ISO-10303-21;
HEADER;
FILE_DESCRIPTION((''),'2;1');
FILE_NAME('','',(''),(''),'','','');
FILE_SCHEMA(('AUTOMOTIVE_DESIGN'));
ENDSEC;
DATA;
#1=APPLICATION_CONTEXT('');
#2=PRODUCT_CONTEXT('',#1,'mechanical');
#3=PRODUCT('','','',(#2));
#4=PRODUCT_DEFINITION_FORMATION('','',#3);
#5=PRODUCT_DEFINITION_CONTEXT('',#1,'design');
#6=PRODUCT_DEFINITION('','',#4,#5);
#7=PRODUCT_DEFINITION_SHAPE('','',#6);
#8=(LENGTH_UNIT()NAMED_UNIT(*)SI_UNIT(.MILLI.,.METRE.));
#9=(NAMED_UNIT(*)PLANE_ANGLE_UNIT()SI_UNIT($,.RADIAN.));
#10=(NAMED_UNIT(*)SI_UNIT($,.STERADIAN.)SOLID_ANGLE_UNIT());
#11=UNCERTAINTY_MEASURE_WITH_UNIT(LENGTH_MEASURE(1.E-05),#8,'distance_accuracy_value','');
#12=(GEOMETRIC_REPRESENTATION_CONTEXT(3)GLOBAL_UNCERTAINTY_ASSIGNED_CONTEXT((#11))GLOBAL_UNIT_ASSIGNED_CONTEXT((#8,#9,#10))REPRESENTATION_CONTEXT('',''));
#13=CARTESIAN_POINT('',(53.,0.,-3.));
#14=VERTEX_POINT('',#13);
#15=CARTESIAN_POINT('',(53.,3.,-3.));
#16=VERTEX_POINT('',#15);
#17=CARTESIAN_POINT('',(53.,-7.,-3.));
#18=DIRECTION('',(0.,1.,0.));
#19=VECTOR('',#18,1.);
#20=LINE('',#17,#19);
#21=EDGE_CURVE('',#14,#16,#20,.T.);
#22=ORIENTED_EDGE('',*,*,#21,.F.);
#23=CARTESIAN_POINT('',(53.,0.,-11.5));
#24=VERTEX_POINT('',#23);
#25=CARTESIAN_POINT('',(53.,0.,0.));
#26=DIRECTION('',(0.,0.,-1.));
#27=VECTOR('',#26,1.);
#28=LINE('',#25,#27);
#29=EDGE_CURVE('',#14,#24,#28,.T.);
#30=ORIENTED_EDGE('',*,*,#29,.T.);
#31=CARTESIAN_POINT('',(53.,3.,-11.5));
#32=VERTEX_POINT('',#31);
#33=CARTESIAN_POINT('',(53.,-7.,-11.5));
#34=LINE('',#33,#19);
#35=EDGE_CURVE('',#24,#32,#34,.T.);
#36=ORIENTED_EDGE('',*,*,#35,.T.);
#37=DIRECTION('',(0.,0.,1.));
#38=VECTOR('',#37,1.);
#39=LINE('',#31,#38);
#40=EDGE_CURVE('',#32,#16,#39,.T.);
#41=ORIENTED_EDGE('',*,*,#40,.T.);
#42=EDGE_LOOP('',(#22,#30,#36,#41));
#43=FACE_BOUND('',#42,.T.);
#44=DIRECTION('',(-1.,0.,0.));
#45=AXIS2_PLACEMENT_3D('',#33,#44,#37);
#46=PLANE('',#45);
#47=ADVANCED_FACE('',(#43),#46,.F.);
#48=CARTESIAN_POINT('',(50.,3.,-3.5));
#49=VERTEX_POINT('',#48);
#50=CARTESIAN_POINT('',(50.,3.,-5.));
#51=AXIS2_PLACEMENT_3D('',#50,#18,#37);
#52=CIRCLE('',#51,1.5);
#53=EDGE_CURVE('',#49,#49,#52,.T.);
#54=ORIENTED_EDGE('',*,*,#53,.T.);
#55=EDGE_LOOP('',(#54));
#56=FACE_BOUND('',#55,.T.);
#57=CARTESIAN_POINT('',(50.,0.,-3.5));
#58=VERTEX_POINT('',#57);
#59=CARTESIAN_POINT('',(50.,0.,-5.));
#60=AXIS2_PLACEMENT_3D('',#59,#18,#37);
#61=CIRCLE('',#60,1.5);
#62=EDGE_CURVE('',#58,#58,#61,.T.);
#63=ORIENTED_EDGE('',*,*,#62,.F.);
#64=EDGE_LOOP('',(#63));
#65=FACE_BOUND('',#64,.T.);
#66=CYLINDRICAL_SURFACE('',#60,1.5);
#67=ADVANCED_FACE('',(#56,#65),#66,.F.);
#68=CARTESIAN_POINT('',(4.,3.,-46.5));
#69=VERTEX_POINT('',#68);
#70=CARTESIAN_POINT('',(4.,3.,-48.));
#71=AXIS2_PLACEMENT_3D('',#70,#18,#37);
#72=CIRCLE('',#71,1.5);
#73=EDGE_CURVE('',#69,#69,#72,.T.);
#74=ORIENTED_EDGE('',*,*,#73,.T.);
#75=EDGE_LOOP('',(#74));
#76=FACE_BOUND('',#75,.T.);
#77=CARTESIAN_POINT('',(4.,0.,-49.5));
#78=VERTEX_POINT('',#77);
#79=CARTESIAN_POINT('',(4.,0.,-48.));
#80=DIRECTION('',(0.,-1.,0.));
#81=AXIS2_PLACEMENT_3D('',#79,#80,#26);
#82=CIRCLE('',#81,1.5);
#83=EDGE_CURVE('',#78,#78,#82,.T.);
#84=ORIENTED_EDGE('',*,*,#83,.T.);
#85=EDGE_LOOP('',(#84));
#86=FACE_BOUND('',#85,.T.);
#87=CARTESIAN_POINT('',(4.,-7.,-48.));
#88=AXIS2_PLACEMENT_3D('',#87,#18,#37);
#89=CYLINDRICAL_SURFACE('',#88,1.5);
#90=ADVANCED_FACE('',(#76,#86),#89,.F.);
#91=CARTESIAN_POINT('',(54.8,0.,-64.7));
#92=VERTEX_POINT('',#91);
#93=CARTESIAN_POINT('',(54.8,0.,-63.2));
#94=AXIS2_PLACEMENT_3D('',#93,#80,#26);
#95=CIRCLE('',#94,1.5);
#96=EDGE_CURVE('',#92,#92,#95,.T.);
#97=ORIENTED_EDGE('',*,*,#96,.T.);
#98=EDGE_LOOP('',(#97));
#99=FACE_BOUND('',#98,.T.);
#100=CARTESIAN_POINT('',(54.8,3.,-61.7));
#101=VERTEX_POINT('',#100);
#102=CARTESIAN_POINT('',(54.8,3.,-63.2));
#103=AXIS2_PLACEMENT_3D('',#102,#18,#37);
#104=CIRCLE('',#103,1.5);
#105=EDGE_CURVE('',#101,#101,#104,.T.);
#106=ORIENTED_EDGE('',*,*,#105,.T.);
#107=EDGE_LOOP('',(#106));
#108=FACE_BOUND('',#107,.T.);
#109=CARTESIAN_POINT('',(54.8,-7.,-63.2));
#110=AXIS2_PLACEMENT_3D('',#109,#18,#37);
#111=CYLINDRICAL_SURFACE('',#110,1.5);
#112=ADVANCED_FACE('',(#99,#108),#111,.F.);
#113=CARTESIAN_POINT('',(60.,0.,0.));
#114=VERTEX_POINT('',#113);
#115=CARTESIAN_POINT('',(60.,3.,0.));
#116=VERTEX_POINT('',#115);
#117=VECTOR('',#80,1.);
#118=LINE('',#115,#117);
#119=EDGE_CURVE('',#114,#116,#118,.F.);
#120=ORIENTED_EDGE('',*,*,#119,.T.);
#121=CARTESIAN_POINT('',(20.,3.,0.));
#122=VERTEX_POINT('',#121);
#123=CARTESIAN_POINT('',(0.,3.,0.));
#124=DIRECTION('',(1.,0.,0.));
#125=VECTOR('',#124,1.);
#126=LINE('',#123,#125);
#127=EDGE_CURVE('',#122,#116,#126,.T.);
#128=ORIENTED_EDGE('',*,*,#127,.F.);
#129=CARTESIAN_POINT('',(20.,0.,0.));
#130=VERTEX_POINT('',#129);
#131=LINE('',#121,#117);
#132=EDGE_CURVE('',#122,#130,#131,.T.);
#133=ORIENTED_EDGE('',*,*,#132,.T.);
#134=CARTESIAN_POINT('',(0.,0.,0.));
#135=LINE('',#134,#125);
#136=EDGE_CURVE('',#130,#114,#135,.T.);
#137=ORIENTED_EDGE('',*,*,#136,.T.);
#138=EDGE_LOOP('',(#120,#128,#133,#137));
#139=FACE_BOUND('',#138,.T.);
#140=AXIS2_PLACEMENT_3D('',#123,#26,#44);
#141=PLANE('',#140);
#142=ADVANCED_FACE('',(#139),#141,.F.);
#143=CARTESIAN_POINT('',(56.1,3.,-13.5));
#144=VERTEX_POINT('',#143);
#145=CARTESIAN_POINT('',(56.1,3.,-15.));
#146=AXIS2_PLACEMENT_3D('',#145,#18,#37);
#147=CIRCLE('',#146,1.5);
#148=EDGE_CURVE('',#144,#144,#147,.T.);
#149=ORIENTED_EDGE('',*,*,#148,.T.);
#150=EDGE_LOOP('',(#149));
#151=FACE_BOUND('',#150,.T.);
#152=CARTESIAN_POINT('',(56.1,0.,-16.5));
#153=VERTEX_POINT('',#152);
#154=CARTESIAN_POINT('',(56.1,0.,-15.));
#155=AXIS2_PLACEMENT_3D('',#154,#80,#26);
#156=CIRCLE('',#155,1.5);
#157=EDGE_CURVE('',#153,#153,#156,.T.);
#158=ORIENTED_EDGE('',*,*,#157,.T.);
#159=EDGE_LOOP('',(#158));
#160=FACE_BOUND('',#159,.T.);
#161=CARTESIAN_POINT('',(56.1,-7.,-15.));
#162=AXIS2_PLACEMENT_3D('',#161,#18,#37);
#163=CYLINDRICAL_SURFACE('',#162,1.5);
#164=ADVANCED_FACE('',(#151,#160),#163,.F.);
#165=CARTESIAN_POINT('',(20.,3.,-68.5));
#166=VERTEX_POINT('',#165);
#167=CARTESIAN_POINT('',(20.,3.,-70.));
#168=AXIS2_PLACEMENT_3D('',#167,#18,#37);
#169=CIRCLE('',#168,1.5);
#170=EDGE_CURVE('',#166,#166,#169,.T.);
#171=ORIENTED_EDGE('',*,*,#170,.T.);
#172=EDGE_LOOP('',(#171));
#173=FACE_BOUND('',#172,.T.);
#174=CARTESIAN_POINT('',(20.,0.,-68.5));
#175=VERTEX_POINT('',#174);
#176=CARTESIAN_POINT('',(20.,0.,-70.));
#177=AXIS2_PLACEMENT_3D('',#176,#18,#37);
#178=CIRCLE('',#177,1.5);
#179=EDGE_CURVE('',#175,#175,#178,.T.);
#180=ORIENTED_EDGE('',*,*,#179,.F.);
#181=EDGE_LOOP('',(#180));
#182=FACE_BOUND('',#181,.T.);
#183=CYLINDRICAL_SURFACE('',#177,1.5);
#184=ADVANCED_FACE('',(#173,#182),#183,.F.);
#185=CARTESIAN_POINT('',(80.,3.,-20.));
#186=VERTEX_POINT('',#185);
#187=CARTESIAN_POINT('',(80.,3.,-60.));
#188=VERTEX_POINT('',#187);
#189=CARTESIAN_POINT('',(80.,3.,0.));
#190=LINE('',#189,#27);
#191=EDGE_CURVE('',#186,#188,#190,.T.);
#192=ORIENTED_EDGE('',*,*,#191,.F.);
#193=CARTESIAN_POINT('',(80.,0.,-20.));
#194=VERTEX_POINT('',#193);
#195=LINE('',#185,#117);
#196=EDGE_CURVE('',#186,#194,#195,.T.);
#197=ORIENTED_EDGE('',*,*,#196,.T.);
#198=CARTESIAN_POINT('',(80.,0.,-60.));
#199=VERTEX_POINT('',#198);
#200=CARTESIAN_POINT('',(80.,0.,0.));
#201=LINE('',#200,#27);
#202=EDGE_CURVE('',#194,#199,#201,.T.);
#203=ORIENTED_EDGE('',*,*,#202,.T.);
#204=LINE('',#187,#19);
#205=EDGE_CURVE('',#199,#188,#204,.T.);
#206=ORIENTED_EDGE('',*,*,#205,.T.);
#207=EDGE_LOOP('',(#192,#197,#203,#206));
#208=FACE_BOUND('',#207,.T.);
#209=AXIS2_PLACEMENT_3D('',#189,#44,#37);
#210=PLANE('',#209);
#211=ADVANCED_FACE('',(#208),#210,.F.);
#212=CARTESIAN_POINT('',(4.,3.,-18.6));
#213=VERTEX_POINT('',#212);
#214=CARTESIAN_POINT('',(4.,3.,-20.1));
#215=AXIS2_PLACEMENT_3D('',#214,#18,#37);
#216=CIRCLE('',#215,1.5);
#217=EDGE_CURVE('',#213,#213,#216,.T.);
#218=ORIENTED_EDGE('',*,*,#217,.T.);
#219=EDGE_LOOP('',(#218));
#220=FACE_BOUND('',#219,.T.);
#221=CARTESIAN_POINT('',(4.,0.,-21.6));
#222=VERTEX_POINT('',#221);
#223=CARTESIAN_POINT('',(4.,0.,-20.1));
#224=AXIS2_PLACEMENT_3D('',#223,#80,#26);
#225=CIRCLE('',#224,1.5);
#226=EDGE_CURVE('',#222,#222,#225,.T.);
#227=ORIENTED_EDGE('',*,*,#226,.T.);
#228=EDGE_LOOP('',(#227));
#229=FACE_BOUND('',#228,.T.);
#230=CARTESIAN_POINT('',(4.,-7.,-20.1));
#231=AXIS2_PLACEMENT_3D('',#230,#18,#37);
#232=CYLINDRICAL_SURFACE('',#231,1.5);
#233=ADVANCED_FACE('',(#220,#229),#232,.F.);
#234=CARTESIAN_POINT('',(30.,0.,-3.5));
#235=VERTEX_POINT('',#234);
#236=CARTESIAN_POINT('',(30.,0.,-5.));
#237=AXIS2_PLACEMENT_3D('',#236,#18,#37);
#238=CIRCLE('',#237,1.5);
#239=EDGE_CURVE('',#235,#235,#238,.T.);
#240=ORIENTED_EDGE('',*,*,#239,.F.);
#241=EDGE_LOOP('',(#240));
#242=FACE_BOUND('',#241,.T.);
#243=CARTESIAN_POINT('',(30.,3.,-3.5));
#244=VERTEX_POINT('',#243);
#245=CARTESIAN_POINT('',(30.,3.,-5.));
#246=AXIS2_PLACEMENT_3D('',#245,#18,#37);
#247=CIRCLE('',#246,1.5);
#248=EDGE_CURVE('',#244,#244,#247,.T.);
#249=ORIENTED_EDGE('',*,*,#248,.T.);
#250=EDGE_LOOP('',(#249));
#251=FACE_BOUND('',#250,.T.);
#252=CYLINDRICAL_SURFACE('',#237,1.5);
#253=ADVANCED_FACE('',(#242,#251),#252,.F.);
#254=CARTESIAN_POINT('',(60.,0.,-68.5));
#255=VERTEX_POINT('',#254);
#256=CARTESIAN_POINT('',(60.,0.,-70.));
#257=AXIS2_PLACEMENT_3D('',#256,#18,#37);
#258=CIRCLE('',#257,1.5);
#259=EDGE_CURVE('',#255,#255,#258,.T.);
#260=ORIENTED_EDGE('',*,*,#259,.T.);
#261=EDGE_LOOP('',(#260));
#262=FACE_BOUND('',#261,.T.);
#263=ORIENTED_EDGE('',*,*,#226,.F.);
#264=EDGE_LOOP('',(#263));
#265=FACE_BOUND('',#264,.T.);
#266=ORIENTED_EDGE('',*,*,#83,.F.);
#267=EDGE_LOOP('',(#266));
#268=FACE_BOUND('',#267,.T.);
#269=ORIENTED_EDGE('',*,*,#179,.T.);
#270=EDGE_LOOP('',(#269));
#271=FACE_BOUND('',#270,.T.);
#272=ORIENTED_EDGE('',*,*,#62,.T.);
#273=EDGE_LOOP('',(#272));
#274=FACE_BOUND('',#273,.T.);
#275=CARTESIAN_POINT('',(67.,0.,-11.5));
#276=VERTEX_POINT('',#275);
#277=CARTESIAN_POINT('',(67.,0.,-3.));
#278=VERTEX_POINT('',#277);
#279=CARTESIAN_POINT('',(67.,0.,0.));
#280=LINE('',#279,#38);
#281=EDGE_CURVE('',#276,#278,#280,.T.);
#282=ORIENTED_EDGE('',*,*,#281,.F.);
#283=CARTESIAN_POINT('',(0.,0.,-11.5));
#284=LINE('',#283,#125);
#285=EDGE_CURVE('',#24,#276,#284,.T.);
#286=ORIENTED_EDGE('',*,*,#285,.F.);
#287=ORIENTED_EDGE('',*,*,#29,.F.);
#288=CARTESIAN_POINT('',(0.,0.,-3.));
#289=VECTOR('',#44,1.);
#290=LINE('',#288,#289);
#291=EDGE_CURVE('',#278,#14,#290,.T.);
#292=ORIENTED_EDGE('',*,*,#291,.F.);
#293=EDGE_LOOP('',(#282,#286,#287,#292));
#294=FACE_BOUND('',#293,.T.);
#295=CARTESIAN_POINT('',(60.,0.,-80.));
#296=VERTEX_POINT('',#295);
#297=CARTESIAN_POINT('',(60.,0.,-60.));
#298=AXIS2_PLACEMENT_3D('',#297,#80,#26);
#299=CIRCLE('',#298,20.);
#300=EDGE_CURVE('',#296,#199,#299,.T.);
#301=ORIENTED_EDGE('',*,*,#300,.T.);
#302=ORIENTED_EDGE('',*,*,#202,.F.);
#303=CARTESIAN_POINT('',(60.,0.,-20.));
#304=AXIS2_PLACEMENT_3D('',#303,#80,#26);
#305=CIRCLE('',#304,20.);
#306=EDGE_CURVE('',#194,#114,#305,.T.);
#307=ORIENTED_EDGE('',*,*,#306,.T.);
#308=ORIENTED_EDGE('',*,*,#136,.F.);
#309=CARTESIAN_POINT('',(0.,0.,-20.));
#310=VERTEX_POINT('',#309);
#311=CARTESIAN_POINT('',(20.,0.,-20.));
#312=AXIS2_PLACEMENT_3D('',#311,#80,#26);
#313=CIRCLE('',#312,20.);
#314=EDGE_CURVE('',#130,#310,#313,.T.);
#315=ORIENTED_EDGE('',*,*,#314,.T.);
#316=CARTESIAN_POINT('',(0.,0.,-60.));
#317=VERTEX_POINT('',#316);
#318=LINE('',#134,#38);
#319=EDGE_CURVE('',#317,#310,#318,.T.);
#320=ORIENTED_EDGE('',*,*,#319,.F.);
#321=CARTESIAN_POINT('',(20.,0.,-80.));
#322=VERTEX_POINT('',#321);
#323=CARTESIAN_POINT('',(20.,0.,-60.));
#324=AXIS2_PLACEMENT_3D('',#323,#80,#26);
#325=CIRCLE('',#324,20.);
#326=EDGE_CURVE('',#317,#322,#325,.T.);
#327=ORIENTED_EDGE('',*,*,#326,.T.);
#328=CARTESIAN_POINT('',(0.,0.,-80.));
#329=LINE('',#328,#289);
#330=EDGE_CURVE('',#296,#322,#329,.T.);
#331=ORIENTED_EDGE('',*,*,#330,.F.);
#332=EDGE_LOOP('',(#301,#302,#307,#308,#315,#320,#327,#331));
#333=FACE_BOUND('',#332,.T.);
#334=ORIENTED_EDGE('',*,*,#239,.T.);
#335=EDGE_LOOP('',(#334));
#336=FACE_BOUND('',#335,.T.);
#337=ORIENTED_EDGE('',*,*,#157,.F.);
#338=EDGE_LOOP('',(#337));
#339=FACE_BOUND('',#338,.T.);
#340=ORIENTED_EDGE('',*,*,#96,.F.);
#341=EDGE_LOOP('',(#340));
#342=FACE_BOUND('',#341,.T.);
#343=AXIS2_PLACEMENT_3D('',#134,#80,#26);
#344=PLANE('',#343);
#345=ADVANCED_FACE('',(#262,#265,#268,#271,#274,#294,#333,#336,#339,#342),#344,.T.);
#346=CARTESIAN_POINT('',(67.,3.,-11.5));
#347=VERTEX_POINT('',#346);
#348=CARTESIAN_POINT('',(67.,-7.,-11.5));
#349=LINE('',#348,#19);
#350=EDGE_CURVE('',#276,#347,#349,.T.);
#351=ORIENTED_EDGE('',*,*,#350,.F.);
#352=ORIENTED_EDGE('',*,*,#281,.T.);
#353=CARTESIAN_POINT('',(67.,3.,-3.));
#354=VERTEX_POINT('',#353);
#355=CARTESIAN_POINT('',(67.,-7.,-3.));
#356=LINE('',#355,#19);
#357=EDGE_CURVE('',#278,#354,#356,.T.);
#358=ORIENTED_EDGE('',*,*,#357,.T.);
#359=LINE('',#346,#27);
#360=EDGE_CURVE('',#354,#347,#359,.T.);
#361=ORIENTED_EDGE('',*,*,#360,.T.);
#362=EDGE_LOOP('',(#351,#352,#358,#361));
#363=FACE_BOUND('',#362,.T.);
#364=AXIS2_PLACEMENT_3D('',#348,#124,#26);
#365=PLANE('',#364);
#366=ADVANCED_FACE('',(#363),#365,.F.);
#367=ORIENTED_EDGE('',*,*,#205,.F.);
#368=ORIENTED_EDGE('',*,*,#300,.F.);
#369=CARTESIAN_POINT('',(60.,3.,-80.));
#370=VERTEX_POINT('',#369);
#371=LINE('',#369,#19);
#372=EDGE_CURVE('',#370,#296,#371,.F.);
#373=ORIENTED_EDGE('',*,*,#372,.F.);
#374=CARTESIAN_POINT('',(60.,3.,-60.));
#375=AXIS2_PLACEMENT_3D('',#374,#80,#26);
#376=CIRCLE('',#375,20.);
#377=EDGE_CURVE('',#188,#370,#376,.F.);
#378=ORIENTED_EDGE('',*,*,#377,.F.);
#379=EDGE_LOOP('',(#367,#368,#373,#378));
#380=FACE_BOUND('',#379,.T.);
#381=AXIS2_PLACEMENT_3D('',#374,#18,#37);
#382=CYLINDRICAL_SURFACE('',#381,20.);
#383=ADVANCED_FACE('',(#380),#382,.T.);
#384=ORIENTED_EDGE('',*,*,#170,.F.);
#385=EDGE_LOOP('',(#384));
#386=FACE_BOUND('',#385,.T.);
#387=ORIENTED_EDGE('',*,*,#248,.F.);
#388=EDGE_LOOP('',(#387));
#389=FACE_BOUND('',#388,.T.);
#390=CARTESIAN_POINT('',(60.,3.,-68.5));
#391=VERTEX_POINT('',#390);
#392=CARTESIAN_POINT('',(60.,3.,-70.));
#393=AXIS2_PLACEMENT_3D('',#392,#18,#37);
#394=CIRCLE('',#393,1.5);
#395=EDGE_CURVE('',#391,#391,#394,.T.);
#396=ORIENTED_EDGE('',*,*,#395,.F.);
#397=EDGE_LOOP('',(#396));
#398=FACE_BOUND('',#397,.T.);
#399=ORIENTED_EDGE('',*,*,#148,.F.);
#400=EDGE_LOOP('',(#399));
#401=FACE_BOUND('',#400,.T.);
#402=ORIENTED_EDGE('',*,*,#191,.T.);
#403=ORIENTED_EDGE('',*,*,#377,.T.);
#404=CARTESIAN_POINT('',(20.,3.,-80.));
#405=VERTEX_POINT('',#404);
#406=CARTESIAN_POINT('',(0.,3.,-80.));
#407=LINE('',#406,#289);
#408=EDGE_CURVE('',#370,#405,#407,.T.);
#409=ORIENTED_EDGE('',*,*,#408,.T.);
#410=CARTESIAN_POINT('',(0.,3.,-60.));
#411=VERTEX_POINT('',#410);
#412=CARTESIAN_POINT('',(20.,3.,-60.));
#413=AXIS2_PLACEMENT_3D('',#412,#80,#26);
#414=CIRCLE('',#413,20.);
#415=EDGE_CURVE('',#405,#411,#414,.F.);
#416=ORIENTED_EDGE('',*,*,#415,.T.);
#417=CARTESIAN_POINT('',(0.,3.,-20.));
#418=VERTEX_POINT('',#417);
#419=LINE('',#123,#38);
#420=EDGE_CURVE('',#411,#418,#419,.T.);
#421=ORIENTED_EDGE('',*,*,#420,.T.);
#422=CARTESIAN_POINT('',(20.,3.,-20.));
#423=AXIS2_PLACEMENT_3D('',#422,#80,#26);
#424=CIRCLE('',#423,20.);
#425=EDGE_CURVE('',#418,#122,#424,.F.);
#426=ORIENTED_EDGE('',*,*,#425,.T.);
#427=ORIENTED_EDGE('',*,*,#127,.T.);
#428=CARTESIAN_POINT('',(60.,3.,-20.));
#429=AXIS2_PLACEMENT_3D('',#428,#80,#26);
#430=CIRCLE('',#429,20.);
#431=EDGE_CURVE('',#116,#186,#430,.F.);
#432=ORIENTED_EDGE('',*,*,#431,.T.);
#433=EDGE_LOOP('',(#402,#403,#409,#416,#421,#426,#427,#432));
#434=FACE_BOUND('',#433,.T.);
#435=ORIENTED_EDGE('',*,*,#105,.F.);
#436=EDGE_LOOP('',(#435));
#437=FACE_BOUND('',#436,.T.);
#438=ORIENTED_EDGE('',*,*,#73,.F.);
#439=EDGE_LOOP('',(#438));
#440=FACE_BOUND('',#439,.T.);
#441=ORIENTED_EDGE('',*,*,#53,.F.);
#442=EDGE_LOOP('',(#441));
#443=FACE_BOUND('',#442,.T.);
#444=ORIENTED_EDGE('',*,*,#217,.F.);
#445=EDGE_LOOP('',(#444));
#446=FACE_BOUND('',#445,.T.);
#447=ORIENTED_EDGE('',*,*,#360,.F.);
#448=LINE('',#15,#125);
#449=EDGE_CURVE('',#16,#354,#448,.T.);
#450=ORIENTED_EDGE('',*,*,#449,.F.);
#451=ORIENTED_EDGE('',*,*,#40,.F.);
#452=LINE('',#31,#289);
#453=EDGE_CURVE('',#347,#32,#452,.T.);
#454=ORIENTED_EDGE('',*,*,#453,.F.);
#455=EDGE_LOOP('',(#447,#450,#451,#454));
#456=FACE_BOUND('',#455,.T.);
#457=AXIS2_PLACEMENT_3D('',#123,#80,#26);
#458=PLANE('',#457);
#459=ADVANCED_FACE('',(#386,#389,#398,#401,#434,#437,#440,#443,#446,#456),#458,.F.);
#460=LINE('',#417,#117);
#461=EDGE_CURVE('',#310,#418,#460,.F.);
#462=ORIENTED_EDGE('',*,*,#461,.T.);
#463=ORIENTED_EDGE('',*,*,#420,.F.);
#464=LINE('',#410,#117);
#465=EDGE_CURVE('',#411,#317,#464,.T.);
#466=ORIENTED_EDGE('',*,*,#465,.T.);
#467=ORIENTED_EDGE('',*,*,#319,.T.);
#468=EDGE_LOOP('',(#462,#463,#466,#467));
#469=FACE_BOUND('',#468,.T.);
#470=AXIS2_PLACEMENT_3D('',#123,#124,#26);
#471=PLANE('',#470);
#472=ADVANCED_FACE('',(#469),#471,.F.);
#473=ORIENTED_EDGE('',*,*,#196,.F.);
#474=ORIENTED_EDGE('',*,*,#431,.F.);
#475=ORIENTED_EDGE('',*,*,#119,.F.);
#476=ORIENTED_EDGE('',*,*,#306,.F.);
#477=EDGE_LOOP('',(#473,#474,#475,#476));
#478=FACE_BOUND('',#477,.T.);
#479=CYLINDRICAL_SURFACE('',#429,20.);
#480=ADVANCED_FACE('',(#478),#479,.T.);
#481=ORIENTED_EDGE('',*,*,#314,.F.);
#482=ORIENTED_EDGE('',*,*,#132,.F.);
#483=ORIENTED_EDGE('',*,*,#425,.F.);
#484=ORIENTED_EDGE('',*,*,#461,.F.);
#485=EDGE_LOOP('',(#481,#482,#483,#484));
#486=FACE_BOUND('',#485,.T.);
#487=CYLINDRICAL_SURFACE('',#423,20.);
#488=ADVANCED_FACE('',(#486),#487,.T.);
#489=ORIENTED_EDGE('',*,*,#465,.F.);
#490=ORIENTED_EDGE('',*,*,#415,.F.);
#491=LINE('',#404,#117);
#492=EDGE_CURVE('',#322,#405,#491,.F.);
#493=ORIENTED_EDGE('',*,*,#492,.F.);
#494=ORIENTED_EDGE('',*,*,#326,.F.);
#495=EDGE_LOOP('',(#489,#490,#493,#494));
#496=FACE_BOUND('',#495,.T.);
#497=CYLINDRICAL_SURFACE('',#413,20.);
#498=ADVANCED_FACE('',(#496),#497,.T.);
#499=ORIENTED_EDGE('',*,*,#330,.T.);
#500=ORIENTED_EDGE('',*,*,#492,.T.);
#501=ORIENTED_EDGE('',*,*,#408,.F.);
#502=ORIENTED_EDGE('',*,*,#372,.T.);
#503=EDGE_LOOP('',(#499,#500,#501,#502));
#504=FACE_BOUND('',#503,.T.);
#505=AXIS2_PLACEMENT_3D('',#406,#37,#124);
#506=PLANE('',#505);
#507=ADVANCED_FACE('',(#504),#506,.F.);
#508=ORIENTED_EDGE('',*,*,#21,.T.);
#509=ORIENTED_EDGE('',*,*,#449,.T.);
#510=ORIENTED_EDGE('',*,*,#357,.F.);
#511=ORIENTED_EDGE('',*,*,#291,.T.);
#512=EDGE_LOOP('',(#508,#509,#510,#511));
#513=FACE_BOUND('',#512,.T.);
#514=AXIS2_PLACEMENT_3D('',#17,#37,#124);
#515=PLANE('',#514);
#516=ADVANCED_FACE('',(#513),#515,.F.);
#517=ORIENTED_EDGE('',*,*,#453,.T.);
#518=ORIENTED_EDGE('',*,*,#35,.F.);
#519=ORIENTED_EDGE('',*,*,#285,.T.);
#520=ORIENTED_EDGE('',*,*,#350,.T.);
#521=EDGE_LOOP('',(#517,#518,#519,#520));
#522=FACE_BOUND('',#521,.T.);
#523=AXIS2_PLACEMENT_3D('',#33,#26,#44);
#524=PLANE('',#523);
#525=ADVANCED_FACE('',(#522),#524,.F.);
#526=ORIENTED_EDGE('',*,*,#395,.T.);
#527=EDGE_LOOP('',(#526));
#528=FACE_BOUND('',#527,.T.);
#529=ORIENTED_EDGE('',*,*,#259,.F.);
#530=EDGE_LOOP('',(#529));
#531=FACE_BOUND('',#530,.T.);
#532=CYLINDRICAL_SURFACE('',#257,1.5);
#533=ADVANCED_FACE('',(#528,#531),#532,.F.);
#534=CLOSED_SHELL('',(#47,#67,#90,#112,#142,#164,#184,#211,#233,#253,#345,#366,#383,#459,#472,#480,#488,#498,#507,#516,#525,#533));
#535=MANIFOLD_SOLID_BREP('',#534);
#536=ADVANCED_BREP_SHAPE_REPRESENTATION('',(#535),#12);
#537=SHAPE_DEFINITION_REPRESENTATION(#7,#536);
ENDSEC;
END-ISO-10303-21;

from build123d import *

# Parameters (mm, degrees)
SKETCH3_W           = 80
SKETCH3_H           = 80
BOSS_EXTRUDE1_DEPTH = 3
FILLET3_R           = 20
FILLET4_R           = 20
FILLET5_R           = 20
FILLET6_R           = 20
SKETCH12_R          = 1.5
CUT_EXTRUDE6_DEPTH  = 3
SKETCH13_R          = 1.5
CUT_EXTRUDE7_DEPTH  = 3
SKETCH14_R          = 1.5
CUT_EXTRUDE8_DEPTH  = 10
SKETCH15_W          = 14
SKETCH15_H          = 8.5
CUT_EXTRUDE9_DEPTH  = 10


with BuildPart() as part:
    # Sketch3 → Boss-Extrude1 (new body)
    with BuildSketch(Plane(origin=(0, 0, 0), x_dir=(1, 0, 0), z_dir=(0, 1, 0))):
        with Locations((40, 40)):
            Rectangle(SKETCH3_W, SKETCH3_H)
    extrude(amount=BOSS_EXTRUDE1_DEPTH)

    # Fillet3
    fillet3_edges = [part.edges().sort_by_distance(p)[0] for p in [
        (0, 1.5, -80),
    ]]
    fillet(fillet3_edges, radius=FILLET3_R)

    # Fillet4
    fillet4_edges = [part.edges().sort_by_distance(p)[0] for p in [
        (80, 1.5, -80),
    ]]
    fillet(fillet4_edges, radius=FILLET4_R)

    # Fillet5
    fillet5_edges = [part.edges().sort_by_distance(p)[0] for p in [
        (80, 1.5, 0),
    ]]
    fillet(fillet5_edges, radius=FILLET5_R)

    # Fillet6
    fillet6_edges = [part.edges().sort_by_distance(p)[0] for p in [
        (0, 1.5, 0),
    ]]
    fillet(fillet6_edges, radius=FILLET6_R)

    # Sketch12 → Cut-Extrude6 (cut)
    with BuildSketch(Plane(origin=(0, 3, 0), x_dir=(1, 0, 0), z_dir=(0, 1, 0))):
        with Locations((30, 5)):
            Circle(SKETCH12_R)
        with Locations((50, 5)):
            Circle(SKETCH12_R)
    extrude(amount=-CUT_EXTRUDE6_DEPTH, mode=Mode.SUBTRACT)

    # Sketch13 → Cut-Extrude7 (cut)
    with BuildSketch(Plane(origin=(0, 3, 0), x_dir=(1, 0, 0), z_dir=(0, 1, 0))):
        with Locations((20, 70)):
            Circle(SKETCH13_R)
        with Locations((60, 70)):
            Circle(SKETCH13_R)
    extrude(amount=-CUT_EXTRUDE7_DEPTH, mode=Mode.SUBTRACT)

    # Sketch14 → Cut-Extrude8 (cut)
    with BuildSketch(Plane(origin=(0, 3, 0), x_dir=(1, 0, 0), z_dir=(0, 1, 0))):
        with Locations((4, 20.1)):
            Circle(SKETCH14_R)
        with Locations((4, 48)):
            Circle(SKETCH14_R)
        with Locations((54.8, 63.2)):
            Circle(SKETCH14_R)
        with Locations((56.1, 15)):
            Circle(SKETCH14_R)
    extrude(amount=-CUT_EXTRUDE8_DEPTH, mode=Mode.SUBTRACT)

    # Sketch15 → Cut-Extrude9 (cut)
    with BuildSketch(Plane(origin=(0, 3, 0), x_dir=(1, 0, 0), z_dir=(0, 1, 0))):
        with Locations((60, 7.25)):
            Rectangle(SKETCH15_W, SKETCH15_H)
    extrude(amount=-CUT_EXTRUDE9_DEPTH, mode=Mode.SUBTRACT)


solid = part.part
